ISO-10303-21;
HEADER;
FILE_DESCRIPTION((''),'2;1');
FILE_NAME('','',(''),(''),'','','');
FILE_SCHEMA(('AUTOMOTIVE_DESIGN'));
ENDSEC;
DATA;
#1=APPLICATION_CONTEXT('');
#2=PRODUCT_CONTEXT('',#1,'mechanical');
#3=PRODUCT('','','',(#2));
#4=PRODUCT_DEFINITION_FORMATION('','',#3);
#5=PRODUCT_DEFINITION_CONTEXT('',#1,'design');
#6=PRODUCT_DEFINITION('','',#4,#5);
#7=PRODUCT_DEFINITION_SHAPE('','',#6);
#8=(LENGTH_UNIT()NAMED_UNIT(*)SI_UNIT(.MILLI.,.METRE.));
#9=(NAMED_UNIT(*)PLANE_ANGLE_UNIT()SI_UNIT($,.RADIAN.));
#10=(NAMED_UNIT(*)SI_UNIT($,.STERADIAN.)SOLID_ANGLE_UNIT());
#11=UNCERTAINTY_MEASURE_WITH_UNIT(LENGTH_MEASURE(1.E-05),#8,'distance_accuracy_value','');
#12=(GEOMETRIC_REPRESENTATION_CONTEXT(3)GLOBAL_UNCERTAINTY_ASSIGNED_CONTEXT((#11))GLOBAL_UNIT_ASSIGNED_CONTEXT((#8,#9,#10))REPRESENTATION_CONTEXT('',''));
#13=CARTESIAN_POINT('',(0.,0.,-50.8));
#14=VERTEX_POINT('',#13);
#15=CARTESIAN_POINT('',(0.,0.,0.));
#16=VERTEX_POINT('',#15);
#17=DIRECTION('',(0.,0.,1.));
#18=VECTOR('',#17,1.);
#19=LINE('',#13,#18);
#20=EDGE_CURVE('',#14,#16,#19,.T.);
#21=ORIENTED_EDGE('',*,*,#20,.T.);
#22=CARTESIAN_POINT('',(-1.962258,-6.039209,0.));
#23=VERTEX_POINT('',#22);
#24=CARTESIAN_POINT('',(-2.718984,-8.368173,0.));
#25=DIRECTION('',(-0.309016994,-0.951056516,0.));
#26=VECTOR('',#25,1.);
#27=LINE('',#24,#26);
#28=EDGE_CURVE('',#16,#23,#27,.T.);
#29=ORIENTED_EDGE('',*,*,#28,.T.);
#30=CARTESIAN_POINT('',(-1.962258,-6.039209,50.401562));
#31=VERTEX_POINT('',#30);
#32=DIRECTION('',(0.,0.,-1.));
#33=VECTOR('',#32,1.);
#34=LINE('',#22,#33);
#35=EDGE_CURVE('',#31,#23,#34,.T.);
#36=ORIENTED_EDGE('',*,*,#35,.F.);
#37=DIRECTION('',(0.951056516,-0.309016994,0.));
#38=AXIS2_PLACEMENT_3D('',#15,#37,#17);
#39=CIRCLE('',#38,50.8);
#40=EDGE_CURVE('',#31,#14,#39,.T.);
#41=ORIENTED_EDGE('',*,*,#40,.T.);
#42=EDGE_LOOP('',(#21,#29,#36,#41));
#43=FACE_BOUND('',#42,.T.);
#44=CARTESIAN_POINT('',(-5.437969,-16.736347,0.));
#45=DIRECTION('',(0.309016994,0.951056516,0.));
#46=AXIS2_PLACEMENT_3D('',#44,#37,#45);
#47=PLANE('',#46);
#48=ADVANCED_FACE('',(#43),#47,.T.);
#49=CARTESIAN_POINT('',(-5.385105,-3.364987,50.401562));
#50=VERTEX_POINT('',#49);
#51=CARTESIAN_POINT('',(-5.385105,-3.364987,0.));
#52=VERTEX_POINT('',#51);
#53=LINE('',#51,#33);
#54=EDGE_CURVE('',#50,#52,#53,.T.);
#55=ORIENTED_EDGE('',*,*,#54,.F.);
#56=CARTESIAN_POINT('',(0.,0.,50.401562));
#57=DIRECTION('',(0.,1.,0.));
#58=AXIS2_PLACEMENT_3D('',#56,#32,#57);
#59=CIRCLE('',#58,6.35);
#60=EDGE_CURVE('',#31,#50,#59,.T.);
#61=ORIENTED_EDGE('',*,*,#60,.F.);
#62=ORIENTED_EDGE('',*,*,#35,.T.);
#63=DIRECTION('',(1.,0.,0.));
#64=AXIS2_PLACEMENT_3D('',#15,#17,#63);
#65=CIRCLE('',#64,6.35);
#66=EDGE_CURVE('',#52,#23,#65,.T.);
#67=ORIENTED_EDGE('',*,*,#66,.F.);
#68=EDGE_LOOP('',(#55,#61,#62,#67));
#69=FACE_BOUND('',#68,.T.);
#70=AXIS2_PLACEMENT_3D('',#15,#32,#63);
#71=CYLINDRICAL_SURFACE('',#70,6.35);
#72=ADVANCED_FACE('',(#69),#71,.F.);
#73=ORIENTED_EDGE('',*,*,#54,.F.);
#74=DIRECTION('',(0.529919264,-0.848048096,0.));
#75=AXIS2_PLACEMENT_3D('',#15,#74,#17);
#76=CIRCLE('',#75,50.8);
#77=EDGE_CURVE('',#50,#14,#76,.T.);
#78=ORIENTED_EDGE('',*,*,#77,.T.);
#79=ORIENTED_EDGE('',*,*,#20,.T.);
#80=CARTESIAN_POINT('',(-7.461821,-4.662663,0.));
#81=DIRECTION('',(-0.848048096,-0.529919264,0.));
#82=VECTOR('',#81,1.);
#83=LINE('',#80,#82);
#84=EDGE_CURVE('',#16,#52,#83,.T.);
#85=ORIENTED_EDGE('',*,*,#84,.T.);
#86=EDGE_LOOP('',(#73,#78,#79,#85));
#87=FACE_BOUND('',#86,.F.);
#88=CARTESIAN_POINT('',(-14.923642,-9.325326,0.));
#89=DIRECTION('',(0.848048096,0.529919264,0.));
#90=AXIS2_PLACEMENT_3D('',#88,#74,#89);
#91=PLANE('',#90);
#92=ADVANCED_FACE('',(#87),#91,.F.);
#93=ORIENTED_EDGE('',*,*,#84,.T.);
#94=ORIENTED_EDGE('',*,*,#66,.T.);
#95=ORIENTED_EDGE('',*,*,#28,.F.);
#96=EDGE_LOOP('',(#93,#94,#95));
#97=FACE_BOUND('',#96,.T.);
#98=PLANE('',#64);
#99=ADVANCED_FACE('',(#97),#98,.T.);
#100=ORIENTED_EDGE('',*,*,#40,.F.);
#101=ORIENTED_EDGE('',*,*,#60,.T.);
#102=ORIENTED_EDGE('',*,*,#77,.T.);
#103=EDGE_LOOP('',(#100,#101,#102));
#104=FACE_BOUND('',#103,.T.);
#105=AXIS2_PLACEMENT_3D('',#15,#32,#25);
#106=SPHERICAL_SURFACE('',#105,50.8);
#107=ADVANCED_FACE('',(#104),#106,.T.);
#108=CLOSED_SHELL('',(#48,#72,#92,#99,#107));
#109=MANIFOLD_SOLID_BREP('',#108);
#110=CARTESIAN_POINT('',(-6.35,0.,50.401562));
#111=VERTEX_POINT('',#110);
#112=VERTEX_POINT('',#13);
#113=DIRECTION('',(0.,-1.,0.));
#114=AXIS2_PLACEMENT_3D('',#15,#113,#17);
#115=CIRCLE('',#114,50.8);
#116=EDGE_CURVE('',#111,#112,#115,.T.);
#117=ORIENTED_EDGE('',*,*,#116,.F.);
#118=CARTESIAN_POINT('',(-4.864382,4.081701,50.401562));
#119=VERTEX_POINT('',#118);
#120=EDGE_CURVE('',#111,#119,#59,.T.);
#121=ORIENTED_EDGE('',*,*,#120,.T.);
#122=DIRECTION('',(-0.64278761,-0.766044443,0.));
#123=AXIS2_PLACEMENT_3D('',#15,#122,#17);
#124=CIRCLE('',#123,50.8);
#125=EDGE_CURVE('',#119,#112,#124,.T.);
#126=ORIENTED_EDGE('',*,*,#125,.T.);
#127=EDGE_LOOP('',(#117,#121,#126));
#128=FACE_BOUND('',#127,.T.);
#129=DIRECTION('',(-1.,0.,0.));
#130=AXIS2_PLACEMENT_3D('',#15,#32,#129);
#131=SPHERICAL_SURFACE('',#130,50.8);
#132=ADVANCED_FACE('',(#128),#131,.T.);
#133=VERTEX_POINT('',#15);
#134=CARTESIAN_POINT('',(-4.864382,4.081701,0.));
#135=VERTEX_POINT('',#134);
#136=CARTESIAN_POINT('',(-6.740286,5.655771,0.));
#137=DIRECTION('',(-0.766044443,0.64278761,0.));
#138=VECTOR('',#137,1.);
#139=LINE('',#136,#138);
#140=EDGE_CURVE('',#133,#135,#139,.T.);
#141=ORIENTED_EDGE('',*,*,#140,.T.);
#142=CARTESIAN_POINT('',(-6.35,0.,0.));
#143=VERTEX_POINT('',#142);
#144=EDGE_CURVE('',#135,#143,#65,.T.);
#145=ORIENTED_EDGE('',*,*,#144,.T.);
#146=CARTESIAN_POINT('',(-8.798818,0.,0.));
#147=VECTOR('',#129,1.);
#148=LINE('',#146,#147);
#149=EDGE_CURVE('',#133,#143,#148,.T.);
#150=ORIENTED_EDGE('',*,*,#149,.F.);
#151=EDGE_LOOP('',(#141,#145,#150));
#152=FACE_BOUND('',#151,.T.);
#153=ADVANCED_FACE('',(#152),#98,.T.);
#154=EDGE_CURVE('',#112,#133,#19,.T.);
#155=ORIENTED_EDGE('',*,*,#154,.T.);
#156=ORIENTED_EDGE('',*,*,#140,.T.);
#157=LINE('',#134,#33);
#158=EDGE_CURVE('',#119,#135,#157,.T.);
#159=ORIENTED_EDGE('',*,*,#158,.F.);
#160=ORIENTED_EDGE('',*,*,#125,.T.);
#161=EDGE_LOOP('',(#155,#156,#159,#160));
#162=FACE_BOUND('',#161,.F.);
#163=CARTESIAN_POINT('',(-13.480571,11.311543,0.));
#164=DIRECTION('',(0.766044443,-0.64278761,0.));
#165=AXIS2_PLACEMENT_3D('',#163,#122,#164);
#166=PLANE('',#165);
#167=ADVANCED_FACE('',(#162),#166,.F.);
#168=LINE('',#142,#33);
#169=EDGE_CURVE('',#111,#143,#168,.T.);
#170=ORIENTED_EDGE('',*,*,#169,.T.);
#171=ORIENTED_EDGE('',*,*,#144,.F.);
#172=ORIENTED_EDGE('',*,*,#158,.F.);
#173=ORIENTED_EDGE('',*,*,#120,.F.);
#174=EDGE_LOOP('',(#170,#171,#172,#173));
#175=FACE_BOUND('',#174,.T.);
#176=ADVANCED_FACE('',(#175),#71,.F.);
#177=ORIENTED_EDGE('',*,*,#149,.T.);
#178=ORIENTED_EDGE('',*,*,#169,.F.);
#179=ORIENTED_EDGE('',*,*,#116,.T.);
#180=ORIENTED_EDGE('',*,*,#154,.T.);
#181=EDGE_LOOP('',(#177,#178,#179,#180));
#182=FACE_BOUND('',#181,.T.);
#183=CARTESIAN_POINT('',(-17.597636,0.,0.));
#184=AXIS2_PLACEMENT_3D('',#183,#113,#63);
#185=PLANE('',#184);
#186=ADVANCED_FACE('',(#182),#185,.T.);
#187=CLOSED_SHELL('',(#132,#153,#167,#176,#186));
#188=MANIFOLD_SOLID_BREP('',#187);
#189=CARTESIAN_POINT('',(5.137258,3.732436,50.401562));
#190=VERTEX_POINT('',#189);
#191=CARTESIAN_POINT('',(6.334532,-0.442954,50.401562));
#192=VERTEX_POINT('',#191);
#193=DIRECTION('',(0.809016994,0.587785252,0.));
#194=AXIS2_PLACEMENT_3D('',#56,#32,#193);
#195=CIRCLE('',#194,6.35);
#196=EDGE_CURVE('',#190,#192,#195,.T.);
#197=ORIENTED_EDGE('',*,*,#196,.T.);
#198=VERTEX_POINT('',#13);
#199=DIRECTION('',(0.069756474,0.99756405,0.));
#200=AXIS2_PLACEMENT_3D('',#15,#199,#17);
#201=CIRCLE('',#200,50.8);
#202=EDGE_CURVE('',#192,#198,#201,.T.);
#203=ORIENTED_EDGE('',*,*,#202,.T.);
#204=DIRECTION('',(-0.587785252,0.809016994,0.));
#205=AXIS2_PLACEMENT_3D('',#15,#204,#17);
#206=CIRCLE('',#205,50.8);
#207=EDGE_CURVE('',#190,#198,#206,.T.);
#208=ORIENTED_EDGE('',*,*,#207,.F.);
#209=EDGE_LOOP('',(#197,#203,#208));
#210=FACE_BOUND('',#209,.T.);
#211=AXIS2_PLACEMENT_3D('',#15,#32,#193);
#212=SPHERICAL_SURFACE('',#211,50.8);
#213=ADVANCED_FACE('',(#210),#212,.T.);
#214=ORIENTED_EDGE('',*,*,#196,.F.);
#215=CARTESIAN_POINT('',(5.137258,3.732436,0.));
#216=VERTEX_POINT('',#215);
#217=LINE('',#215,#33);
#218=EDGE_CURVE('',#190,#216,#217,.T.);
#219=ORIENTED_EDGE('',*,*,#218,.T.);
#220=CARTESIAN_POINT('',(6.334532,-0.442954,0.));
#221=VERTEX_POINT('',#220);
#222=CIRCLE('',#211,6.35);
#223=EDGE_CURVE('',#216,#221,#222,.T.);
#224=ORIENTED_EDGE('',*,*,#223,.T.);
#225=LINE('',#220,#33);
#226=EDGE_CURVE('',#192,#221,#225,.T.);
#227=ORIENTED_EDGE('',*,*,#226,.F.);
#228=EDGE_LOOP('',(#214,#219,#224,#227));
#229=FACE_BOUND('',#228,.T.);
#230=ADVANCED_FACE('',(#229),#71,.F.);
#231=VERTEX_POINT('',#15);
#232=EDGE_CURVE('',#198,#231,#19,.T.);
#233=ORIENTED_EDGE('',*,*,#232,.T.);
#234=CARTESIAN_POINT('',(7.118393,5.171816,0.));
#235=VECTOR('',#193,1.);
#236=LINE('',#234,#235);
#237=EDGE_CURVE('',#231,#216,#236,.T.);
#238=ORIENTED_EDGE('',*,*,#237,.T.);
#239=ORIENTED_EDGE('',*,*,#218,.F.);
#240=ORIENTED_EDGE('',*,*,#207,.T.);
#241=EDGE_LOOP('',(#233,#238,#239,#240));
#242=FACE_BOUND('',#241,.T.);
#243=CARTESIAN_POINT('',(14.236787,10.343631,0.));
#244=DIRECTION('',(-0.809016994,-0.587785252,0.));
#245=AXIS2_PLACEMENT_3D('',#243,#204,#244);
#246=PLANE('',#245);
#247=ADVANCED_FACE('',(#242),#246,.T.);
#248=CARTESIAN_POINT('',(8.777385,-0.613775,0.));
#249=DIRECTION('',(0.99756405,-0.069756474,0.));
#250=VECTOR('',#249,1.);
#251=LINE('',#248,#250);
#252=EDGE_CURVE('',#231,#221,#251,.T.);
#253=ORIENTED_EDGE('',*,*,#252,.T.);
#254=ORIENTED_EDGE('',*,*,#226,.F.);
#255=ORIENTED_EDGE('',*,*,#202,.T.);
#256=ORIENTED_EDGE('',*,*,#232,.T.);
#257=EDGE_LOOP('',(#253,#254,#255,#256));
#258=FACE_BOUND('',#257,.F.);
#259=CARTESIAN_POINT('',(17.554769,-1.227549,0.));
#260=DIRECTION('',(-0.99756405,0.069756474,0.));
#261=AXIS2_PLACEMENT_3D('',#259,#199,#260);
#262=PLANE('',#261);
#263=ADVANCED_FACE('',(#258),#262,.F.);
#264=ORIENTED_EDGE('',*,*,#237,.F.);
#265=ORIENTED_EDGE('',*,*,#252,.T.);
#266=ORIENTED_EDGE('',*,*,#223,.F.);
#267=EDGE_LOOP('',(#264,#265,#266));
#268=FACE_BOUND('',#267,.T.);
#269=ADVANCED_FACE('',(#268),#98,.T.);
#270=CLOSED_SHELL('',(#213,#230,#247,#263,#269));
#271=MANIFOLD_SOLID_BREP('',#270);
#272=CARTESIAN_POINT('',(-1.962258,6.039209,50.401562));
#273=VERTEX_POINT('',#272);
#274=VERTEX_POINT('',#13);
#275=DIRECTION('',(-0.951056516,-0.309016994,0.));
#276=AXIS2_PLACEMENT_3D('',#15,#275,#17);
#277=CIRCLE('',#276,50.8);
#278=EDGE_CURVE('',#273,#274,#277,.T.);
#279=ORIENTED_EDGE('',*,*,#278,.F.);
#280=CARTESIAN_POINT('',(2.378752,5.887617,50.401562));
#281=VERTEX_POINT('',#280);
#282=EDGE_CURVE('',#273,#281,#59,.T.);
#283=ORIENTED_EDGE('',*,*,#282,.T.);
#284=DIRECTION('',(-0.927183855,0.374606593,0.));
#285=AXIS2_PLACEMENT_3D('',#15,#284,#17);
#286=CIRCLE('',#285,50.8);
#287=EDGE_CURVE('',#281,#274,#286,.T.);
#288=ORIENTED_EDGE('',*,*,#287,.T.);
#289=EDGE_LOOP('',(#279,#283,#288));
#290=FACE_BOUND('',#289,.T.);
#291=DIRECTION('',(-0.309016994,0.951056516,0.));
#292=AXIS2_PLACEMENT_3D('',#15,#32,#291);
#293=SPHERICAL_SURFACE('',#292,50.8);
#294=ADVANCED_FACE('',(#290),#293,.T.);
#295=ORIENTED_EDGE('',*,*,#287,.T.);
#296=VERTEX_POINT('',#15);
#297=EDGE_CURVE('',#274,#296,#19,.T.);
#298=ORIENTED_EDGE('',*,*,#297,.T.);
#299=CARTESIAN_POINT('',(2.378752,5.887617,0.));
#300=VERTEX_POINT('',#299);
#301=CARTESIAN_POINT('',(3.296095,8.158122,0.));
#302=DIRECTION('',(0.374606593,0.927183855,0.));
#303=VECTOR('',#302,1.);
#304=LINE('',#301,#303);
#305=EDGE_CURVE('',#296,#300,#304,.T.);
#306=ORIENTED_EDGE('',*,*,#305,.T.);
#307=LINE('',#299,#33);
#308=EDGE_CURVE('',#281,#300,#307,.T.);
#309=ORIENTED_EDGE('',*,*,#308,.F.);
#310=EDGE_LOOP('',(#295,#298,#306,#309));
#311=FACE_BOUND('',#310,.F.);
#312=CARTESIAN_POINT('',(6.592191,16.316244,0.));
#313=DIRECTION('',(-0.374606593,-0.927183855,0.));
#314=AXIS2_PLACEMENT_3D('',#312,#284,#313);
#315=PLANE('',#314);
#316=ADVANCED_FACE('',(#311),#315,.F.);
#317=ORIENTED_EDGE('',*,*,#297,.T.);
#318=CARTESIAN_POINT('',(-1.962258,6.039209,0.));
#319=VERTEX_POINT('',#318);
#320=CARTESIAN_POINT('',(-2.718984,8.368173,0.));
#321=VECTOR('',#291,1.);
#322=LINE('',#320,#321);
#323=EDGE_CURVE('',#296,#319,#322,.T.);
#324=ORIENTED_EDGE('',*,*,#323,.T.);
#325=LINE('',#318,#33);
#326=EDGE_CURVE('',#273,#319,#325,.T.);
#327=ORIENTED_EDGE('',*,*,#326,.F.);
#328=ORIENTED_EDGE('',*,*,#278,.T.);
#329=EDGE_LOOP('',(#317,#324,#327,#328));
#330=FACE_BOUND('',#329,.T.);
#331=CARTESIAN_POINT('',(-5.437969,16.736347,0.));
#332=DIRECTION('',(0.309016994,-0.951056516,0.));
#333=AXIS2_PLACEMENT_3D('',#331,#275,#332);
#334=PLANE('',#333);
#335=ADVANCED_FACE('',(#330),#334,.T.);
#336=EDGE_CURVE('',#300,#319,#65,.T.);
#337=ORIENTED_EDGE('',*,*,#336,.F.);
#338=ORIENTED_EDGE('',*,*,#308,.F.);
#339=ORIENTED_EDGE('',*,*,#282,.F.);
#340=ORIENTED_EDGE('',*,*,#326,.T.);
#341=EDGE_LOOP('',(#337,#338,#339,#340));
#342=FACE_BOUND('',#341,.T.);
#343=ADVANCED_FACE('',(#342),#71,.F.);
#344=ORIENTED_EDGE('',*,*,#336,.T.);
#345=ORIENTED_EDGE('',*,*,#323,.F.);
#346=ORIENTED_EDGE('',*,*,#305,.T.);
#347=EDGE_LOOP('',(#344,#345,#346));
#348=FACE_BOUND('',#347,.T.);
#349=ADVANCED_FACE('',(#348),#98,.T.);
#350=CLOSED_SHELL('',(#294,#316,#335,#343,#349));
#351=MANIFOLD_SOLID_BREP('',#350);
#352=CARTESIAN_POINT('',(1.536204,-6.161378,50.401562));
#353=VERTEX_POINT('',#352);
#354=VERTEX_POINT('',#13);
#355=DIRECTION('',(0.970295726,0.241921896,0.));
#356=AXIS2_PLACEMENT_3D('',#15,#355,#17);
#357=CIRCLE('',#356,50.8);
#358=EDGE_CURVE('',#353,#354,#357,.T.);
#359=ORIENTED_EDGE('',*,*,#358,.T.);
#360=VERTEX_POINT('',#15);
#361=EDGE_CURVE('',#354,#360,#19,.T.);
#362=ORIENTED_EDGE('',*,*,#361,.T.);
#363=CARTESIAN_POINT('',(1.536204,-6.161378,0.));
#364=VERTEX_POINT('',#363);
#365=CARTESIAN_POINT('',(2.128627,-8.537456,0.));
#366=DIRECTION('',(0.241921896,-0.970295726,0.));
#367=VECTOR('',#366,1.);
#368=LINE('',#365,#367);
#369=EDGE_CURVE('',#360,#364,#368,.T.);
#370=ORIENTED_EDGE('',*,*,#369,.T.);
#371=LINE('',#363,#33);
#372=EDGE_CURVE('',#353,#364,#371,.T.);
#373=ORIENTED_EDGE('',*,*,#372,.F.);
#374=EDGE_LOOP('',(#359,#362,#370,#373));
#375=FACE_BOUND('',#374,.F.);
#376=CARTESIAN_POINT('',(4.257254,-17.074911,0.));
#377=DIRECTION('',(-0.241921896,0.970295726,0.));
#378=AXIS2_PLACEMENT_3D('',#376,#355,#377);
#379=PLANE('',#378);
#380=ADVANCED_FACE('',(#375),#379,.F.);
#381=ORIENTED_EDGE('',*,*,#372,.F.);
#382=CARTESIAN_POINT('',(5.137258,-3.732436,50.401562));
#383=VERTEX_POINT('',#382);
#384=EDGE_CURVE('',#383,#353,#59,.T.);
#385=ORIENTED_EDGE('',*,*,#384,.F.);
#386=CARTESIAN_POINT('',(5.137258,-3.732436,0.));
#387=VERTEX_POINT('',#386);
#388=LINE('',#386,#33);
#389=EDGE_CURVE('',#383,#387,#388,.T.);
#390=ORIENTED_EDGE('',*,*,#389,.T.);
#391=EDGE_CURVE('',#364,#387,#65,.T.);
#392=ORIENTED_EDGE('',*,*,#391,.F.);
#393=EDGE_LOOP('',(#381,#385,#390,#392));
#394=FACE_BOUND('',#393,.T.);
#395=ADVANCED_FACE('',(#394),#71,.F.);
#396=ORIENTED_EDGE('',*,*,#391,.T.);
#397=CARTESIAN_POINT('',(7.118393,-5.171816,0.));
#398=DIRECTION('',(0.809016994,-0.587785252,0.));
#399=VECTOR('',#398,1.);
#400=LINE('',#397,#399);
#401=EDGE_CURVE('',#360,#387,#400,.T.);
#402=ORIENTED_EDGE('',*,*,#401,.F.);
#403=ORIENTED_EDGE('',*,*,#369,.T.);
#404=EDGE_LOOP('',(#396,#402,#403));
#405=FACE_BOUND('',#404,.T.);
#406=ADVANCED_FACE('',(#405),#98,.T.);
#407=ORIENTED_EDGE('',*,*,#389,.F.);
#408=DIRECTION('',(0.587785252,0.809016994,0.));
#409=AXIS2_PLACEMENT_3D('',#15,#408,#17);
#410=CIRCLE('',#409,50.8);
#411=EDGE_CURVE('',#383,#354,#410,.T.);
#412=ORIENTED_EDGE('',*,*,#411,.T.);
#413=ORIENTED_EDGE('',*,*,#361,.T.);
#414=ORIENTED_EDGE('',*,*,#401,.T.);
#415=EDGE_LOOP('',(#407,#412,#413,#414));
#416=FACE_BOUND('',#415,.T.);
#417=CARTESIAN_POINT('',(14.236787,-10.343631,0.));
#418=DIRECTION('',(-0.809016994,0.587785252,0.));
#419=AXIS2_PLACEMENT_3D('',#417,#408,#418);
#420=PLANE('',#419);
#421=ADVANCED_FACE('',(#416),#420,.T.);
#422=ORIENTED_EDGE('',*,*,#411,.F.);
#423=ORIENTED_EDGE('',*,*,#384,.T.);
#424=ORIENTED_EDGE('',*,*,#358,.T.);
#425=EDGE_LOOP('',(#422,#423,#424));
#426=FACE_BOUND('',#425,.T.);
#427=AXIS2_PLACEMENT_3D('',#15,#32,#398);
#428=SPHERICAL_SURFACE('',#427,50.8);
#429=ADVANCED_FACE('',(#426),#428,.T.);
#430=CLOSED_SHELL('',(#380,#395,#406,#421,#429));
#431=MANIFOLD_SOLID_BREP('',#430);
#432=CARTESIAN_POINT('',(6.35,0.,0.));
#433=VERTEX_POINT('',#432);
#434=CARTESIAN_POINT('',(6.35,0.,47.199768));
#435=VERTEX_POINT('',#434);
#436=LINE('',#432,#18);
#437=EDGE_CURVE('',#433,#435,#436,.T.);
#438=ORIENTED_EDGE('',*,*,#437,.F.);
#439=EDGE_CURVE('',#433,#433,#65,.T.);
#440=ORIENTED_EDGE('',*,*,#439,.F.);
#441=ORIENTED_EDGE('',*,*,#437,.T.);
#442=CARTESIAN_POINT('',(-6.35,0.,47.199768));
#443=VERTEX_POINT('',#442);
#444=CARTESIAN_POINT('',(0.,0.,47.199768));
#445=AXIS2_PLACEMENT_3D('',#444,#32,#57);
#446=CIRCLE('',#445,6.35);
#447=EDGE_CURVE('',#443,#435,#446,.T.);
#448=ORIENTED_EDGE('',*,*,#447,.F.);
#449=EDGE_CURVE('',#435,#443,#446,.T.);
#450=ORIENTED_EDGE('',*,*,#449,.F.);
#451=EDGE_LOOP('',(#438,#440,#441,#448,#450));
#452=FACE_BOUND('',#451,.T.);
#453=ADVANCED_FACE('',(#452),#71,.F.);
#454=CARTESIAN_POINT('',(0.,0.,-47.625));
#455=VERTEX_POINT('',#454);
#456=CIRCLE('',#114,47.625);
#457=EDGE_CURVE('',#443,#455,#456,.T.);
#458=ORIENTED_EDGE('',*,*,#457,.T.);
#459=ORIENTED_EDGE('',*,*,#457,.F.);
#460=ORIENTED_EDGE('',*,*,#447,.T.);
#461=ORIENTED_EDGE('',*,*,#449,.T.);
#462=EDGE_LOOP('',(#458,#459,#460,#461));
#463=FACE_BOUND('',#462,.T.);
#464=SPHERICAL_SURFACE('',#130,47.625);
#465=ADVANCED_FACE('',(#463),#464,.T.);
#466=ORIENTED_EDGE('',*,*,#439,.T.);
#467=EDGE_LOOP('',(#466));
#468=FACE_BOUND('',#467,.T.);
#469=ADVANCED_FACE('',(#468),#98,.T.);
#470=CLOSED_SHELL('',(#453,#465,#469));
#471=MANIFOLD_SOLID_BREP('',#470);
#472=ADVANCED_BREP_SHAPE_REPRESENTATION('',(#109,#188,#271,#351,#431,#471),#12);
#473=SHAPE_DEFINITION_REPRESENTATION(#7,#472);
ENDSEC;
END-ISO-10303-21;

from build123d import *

# Parameters (mm, degrees)
F1_ANGLE = 40
F2_COUNT = 5
F5_R     = 6.35
F6_DEPTH = 50.8


with BuildPart() as f1:
    # F0 (on Front) → F1 (revolve)
    with BuildSketch(Plane.XZ):
        with BuildLine():
            Line((0, -50.8), (0, 50.8))
            ThreePointArc((0, 50.8), (-50.8, 0), (0, -50.8))
        make_face()
    revolve(axis=Axis((0, 0, 0), (0, 0, -1)), revolution_arc=F1_ANGLE)


with BuildPart() as f2_1:
    # F2: instance of F1
    add(f1.part.rotate(Axis((0, 0, 0), (0, 0, -1)), 1 * 360 / F2_COUNT))


with BuildPart() as f2_2:
    # F2: instance of F1
    add(f1.part.rotate(Axis((0, 0, 0), (0, 0, -1)), 2 * 360 / F2_COUNT))


with BuildPart() as f2_3:
    # F2: instance of F1
    add(f1.part.rotate(Axis((0, 0, 0), (0, 0, -1)), 3 * 360 / F2_COUNT))


with BuildPart() as f2_4:
    # F2: instance of F1
    add(f1.part.rotate(Axis((0, 0, 0), (0, 0, -1)), 4 * 360 / F2_COUNT))


with BuildPart() as f4:
    # F3 (on face) → F4 (revolve)
    with BuildSketch(Plane.XZ):
        with BuildLine():
            Line((0, -47.625), (0, 47.625))
            ThreePointArc((0, 47.625), (-47.625, 0), (0, -47.625))
        make_face()
    revolve(axis=Axis((0, 0, 0), (0, 0, -1)))


with BuildPart() as f6_tool:
    # F5 (on Top) → F6 (new body)
    with BuildSketch(Plane.XY):
        Circle(F5_R)
    extrude(amount=F6_DEPTH)


with BuildPart() as f1_1:
    add(f1.part)

    # F6: cut by f6_tool
    add(f6_tool.part, mode=Mode.SUBTRACT)


with BuildPart() as f2_1_1:
    add(f2_1.part)

    # F6: cut by f6_tool
    add(f6_tool.part, mode=Mode.SUBTRACT)


with BuildPart() as f2_2_1:
    add(f2_2.part)

    # F6: cut by f6_tool
    add(f6_tool.part, mode=Mode.SUBTRACT)


with BuildPart() as f2_3_1:
    add(f2_3.part)

    # F6: cut by f6_tool
    add(f6_tool.part, mode=Mode.SUBTRACT)


with BuildPart() as f2_4_1:
    add(f2_4.part)

    # F6: cut by f6_tool
    add(f6_tool.part, mode=Mode.SUBTRACT)


with BuildPart() as f4_1:
    add(f4.part)

    # F6: cut by f6_tool
    add(f6_tool.part, mode=Mode.SUBTRACT)


solid = Compound([f1_1.part, f2_1_1.part, f2_2_1.part, f2_3_1.part, f2_4_1.part, f4_1.part])
